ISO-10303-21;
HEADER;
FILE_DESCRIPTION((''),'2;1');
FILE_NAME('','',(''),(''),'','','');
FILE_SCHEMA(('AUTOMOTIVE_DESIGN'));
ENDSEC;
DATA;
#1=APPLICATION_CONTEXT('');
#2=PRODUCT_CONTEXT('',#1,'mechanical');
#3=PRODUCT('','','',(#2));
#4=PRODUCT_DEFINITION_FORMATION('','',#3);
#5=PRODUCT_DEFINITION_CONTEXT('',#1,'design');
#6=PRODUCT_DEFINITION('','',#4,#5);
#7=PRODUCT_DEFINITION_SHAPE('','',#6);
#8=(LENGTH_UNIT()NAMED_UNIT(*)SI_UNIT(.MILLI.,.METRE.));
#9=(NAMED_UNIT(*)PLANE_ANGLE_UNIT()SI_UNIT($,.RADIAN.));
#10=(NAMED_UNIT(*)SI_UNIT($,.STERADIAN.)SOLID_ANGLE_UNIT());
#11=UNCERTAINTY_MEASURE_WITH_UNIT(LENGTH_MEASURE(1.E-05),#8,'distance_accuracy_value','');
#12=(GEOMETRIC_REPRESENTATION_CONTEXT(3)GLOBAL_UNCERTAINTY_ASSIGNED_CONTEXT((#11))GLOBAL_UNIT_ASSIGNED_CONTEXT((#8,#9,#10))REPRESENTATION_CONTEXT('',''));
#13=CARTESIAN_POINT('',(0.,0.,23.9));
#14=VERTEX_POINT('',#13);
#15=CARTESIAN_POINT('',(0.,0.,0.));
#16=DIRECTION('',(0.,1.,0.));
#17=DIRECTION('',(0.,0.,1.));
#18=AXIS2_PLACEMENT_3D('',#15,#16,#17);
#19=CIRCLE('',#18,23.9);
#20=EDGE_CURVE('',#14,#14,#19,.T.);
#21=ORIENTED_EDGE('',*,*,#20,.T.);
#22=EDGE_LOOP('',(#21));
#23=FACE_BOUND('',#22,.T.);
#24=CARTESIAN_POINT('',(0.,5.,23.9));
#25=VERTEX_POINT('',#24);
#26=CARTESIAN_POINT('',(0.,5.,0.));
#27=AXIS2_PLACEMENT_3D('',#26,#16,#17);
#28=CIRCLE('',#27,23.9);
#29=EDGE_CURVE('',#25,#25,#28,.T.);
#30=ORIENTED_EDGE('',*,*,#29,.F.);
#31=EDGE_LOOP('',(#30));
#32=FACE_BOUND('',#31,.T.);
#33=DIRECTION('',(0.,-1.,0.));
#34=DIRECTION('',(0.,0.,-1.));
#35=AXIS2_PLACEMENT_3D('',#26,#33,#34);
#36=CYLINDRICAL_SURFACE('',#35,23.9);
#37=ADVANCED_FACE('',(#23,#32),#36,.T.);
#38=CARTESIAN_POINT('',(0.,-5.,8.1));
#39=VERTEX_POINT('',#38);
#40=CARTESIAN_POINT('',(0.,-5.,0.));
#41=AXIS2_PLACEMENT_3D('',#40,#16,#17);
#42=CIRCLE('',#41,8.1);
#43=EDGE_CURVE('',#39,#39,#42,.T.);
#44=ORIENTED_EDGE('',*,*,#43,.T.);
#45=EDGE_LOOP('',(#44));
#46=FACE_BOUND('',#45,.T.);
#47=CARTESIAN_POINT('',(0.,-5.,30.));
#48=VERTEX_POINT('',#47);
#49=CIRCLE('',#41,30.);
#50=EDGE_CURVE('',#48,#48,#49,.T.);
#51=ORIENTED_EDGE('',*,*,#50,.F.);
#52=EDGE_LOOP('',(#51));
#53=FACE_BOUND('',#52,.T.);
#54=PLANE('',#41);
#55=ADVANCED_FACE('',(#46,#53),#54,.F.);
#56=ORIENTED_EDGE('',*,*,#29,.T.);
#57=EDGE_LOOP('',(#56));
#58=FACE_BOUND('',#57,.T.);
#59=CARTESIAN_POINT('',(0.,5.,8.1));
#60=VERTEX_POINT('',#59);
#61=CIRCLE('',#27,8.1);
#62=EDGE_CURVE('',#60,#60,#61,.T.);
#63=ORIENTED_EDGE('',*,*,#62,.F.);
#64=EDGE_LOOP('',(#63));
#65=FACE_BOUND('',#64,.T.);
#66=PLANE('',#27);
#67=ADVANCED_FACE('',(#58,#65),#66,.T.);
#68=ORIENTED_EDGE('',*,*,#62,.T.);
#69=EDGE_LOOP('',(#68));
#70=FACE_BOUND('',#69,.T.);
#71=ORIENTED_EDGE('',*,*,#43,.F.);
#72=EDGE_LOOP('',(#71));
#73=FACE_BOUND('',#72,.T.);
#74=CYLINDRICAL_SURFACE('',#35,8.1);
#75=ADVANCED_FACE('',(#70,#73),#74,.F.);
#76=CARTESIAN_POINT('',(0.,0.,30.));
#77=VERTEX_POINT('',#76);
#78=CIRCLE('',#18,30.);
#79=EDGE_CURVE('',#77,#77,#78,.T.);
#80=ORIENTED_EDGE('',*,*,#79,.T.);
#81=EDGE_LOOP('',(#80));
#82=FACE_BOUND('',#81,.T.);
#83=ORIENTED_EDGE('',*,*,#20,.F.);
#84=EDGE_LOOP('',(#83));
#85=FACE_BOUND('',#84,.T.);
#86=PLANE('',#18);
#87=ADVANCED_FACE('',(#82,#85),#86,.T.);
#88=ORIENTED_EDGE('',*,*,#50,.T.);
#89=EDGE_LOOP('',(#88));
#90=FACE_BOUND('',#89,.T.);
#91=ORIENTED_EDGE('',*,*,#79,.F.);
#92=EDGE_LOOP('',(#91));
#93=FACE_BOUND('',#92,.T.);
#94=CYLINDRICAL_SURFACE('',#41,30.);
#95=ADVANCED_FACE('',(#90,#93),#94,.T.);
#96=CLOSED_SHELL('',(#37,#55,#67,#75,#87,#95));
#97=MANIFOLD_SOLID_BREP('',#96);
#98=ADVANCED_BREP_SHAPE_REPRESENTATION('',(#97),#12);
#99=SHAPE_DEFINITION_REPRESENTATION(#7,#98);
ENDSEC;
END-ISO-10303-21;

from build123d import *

# Parameters (mm, degrees)
CROQUIS1_R              = 23.9
CROQUIS1_R_2            = 8.1
SALIENTE_EXTRUIR1_DEPTH = 5
SALIENTE_EXTRUIR2_START = -5
CROQUIS1_3_R            = 30
CROQUIS1_3_R_2          = 8.1
SALIENTE_EXTRUIR2_DEPTH = 5


with BuildPart() as part:
    # Croquis1 → Saliente-Extruir1 (new body)
    with BuildSketch(Plane(origin=(0, 0, 0), x_dir=(1, 0, 0), z_dir=(0, 1, 0))):
        Circle(CROQUIS1_R)
        Circle(CROQUIS1_R_2, mode=Mode.SUBTRACT)
    extrude(amount=SALIENTE_EXTRUIR1_DEPTH)

    # Croquis1<3> → Saliente-Extruir2 (add)
    with BuildSketch(Plane(origin=(0, 0, 0), x_dir=(1, 0, 0), z_dir=(0, 1, 0)).offset(SALIENTE_EXTRUIR2_START)):
        Circle(CROQUIS1_3_R)
        Circle(CROQUIS1_3_R_2, mode=Mode.SUBTRACT)
    extrude(amount=SALIENTE_EXTRUIR2_DEPTH)


solid = part.part
